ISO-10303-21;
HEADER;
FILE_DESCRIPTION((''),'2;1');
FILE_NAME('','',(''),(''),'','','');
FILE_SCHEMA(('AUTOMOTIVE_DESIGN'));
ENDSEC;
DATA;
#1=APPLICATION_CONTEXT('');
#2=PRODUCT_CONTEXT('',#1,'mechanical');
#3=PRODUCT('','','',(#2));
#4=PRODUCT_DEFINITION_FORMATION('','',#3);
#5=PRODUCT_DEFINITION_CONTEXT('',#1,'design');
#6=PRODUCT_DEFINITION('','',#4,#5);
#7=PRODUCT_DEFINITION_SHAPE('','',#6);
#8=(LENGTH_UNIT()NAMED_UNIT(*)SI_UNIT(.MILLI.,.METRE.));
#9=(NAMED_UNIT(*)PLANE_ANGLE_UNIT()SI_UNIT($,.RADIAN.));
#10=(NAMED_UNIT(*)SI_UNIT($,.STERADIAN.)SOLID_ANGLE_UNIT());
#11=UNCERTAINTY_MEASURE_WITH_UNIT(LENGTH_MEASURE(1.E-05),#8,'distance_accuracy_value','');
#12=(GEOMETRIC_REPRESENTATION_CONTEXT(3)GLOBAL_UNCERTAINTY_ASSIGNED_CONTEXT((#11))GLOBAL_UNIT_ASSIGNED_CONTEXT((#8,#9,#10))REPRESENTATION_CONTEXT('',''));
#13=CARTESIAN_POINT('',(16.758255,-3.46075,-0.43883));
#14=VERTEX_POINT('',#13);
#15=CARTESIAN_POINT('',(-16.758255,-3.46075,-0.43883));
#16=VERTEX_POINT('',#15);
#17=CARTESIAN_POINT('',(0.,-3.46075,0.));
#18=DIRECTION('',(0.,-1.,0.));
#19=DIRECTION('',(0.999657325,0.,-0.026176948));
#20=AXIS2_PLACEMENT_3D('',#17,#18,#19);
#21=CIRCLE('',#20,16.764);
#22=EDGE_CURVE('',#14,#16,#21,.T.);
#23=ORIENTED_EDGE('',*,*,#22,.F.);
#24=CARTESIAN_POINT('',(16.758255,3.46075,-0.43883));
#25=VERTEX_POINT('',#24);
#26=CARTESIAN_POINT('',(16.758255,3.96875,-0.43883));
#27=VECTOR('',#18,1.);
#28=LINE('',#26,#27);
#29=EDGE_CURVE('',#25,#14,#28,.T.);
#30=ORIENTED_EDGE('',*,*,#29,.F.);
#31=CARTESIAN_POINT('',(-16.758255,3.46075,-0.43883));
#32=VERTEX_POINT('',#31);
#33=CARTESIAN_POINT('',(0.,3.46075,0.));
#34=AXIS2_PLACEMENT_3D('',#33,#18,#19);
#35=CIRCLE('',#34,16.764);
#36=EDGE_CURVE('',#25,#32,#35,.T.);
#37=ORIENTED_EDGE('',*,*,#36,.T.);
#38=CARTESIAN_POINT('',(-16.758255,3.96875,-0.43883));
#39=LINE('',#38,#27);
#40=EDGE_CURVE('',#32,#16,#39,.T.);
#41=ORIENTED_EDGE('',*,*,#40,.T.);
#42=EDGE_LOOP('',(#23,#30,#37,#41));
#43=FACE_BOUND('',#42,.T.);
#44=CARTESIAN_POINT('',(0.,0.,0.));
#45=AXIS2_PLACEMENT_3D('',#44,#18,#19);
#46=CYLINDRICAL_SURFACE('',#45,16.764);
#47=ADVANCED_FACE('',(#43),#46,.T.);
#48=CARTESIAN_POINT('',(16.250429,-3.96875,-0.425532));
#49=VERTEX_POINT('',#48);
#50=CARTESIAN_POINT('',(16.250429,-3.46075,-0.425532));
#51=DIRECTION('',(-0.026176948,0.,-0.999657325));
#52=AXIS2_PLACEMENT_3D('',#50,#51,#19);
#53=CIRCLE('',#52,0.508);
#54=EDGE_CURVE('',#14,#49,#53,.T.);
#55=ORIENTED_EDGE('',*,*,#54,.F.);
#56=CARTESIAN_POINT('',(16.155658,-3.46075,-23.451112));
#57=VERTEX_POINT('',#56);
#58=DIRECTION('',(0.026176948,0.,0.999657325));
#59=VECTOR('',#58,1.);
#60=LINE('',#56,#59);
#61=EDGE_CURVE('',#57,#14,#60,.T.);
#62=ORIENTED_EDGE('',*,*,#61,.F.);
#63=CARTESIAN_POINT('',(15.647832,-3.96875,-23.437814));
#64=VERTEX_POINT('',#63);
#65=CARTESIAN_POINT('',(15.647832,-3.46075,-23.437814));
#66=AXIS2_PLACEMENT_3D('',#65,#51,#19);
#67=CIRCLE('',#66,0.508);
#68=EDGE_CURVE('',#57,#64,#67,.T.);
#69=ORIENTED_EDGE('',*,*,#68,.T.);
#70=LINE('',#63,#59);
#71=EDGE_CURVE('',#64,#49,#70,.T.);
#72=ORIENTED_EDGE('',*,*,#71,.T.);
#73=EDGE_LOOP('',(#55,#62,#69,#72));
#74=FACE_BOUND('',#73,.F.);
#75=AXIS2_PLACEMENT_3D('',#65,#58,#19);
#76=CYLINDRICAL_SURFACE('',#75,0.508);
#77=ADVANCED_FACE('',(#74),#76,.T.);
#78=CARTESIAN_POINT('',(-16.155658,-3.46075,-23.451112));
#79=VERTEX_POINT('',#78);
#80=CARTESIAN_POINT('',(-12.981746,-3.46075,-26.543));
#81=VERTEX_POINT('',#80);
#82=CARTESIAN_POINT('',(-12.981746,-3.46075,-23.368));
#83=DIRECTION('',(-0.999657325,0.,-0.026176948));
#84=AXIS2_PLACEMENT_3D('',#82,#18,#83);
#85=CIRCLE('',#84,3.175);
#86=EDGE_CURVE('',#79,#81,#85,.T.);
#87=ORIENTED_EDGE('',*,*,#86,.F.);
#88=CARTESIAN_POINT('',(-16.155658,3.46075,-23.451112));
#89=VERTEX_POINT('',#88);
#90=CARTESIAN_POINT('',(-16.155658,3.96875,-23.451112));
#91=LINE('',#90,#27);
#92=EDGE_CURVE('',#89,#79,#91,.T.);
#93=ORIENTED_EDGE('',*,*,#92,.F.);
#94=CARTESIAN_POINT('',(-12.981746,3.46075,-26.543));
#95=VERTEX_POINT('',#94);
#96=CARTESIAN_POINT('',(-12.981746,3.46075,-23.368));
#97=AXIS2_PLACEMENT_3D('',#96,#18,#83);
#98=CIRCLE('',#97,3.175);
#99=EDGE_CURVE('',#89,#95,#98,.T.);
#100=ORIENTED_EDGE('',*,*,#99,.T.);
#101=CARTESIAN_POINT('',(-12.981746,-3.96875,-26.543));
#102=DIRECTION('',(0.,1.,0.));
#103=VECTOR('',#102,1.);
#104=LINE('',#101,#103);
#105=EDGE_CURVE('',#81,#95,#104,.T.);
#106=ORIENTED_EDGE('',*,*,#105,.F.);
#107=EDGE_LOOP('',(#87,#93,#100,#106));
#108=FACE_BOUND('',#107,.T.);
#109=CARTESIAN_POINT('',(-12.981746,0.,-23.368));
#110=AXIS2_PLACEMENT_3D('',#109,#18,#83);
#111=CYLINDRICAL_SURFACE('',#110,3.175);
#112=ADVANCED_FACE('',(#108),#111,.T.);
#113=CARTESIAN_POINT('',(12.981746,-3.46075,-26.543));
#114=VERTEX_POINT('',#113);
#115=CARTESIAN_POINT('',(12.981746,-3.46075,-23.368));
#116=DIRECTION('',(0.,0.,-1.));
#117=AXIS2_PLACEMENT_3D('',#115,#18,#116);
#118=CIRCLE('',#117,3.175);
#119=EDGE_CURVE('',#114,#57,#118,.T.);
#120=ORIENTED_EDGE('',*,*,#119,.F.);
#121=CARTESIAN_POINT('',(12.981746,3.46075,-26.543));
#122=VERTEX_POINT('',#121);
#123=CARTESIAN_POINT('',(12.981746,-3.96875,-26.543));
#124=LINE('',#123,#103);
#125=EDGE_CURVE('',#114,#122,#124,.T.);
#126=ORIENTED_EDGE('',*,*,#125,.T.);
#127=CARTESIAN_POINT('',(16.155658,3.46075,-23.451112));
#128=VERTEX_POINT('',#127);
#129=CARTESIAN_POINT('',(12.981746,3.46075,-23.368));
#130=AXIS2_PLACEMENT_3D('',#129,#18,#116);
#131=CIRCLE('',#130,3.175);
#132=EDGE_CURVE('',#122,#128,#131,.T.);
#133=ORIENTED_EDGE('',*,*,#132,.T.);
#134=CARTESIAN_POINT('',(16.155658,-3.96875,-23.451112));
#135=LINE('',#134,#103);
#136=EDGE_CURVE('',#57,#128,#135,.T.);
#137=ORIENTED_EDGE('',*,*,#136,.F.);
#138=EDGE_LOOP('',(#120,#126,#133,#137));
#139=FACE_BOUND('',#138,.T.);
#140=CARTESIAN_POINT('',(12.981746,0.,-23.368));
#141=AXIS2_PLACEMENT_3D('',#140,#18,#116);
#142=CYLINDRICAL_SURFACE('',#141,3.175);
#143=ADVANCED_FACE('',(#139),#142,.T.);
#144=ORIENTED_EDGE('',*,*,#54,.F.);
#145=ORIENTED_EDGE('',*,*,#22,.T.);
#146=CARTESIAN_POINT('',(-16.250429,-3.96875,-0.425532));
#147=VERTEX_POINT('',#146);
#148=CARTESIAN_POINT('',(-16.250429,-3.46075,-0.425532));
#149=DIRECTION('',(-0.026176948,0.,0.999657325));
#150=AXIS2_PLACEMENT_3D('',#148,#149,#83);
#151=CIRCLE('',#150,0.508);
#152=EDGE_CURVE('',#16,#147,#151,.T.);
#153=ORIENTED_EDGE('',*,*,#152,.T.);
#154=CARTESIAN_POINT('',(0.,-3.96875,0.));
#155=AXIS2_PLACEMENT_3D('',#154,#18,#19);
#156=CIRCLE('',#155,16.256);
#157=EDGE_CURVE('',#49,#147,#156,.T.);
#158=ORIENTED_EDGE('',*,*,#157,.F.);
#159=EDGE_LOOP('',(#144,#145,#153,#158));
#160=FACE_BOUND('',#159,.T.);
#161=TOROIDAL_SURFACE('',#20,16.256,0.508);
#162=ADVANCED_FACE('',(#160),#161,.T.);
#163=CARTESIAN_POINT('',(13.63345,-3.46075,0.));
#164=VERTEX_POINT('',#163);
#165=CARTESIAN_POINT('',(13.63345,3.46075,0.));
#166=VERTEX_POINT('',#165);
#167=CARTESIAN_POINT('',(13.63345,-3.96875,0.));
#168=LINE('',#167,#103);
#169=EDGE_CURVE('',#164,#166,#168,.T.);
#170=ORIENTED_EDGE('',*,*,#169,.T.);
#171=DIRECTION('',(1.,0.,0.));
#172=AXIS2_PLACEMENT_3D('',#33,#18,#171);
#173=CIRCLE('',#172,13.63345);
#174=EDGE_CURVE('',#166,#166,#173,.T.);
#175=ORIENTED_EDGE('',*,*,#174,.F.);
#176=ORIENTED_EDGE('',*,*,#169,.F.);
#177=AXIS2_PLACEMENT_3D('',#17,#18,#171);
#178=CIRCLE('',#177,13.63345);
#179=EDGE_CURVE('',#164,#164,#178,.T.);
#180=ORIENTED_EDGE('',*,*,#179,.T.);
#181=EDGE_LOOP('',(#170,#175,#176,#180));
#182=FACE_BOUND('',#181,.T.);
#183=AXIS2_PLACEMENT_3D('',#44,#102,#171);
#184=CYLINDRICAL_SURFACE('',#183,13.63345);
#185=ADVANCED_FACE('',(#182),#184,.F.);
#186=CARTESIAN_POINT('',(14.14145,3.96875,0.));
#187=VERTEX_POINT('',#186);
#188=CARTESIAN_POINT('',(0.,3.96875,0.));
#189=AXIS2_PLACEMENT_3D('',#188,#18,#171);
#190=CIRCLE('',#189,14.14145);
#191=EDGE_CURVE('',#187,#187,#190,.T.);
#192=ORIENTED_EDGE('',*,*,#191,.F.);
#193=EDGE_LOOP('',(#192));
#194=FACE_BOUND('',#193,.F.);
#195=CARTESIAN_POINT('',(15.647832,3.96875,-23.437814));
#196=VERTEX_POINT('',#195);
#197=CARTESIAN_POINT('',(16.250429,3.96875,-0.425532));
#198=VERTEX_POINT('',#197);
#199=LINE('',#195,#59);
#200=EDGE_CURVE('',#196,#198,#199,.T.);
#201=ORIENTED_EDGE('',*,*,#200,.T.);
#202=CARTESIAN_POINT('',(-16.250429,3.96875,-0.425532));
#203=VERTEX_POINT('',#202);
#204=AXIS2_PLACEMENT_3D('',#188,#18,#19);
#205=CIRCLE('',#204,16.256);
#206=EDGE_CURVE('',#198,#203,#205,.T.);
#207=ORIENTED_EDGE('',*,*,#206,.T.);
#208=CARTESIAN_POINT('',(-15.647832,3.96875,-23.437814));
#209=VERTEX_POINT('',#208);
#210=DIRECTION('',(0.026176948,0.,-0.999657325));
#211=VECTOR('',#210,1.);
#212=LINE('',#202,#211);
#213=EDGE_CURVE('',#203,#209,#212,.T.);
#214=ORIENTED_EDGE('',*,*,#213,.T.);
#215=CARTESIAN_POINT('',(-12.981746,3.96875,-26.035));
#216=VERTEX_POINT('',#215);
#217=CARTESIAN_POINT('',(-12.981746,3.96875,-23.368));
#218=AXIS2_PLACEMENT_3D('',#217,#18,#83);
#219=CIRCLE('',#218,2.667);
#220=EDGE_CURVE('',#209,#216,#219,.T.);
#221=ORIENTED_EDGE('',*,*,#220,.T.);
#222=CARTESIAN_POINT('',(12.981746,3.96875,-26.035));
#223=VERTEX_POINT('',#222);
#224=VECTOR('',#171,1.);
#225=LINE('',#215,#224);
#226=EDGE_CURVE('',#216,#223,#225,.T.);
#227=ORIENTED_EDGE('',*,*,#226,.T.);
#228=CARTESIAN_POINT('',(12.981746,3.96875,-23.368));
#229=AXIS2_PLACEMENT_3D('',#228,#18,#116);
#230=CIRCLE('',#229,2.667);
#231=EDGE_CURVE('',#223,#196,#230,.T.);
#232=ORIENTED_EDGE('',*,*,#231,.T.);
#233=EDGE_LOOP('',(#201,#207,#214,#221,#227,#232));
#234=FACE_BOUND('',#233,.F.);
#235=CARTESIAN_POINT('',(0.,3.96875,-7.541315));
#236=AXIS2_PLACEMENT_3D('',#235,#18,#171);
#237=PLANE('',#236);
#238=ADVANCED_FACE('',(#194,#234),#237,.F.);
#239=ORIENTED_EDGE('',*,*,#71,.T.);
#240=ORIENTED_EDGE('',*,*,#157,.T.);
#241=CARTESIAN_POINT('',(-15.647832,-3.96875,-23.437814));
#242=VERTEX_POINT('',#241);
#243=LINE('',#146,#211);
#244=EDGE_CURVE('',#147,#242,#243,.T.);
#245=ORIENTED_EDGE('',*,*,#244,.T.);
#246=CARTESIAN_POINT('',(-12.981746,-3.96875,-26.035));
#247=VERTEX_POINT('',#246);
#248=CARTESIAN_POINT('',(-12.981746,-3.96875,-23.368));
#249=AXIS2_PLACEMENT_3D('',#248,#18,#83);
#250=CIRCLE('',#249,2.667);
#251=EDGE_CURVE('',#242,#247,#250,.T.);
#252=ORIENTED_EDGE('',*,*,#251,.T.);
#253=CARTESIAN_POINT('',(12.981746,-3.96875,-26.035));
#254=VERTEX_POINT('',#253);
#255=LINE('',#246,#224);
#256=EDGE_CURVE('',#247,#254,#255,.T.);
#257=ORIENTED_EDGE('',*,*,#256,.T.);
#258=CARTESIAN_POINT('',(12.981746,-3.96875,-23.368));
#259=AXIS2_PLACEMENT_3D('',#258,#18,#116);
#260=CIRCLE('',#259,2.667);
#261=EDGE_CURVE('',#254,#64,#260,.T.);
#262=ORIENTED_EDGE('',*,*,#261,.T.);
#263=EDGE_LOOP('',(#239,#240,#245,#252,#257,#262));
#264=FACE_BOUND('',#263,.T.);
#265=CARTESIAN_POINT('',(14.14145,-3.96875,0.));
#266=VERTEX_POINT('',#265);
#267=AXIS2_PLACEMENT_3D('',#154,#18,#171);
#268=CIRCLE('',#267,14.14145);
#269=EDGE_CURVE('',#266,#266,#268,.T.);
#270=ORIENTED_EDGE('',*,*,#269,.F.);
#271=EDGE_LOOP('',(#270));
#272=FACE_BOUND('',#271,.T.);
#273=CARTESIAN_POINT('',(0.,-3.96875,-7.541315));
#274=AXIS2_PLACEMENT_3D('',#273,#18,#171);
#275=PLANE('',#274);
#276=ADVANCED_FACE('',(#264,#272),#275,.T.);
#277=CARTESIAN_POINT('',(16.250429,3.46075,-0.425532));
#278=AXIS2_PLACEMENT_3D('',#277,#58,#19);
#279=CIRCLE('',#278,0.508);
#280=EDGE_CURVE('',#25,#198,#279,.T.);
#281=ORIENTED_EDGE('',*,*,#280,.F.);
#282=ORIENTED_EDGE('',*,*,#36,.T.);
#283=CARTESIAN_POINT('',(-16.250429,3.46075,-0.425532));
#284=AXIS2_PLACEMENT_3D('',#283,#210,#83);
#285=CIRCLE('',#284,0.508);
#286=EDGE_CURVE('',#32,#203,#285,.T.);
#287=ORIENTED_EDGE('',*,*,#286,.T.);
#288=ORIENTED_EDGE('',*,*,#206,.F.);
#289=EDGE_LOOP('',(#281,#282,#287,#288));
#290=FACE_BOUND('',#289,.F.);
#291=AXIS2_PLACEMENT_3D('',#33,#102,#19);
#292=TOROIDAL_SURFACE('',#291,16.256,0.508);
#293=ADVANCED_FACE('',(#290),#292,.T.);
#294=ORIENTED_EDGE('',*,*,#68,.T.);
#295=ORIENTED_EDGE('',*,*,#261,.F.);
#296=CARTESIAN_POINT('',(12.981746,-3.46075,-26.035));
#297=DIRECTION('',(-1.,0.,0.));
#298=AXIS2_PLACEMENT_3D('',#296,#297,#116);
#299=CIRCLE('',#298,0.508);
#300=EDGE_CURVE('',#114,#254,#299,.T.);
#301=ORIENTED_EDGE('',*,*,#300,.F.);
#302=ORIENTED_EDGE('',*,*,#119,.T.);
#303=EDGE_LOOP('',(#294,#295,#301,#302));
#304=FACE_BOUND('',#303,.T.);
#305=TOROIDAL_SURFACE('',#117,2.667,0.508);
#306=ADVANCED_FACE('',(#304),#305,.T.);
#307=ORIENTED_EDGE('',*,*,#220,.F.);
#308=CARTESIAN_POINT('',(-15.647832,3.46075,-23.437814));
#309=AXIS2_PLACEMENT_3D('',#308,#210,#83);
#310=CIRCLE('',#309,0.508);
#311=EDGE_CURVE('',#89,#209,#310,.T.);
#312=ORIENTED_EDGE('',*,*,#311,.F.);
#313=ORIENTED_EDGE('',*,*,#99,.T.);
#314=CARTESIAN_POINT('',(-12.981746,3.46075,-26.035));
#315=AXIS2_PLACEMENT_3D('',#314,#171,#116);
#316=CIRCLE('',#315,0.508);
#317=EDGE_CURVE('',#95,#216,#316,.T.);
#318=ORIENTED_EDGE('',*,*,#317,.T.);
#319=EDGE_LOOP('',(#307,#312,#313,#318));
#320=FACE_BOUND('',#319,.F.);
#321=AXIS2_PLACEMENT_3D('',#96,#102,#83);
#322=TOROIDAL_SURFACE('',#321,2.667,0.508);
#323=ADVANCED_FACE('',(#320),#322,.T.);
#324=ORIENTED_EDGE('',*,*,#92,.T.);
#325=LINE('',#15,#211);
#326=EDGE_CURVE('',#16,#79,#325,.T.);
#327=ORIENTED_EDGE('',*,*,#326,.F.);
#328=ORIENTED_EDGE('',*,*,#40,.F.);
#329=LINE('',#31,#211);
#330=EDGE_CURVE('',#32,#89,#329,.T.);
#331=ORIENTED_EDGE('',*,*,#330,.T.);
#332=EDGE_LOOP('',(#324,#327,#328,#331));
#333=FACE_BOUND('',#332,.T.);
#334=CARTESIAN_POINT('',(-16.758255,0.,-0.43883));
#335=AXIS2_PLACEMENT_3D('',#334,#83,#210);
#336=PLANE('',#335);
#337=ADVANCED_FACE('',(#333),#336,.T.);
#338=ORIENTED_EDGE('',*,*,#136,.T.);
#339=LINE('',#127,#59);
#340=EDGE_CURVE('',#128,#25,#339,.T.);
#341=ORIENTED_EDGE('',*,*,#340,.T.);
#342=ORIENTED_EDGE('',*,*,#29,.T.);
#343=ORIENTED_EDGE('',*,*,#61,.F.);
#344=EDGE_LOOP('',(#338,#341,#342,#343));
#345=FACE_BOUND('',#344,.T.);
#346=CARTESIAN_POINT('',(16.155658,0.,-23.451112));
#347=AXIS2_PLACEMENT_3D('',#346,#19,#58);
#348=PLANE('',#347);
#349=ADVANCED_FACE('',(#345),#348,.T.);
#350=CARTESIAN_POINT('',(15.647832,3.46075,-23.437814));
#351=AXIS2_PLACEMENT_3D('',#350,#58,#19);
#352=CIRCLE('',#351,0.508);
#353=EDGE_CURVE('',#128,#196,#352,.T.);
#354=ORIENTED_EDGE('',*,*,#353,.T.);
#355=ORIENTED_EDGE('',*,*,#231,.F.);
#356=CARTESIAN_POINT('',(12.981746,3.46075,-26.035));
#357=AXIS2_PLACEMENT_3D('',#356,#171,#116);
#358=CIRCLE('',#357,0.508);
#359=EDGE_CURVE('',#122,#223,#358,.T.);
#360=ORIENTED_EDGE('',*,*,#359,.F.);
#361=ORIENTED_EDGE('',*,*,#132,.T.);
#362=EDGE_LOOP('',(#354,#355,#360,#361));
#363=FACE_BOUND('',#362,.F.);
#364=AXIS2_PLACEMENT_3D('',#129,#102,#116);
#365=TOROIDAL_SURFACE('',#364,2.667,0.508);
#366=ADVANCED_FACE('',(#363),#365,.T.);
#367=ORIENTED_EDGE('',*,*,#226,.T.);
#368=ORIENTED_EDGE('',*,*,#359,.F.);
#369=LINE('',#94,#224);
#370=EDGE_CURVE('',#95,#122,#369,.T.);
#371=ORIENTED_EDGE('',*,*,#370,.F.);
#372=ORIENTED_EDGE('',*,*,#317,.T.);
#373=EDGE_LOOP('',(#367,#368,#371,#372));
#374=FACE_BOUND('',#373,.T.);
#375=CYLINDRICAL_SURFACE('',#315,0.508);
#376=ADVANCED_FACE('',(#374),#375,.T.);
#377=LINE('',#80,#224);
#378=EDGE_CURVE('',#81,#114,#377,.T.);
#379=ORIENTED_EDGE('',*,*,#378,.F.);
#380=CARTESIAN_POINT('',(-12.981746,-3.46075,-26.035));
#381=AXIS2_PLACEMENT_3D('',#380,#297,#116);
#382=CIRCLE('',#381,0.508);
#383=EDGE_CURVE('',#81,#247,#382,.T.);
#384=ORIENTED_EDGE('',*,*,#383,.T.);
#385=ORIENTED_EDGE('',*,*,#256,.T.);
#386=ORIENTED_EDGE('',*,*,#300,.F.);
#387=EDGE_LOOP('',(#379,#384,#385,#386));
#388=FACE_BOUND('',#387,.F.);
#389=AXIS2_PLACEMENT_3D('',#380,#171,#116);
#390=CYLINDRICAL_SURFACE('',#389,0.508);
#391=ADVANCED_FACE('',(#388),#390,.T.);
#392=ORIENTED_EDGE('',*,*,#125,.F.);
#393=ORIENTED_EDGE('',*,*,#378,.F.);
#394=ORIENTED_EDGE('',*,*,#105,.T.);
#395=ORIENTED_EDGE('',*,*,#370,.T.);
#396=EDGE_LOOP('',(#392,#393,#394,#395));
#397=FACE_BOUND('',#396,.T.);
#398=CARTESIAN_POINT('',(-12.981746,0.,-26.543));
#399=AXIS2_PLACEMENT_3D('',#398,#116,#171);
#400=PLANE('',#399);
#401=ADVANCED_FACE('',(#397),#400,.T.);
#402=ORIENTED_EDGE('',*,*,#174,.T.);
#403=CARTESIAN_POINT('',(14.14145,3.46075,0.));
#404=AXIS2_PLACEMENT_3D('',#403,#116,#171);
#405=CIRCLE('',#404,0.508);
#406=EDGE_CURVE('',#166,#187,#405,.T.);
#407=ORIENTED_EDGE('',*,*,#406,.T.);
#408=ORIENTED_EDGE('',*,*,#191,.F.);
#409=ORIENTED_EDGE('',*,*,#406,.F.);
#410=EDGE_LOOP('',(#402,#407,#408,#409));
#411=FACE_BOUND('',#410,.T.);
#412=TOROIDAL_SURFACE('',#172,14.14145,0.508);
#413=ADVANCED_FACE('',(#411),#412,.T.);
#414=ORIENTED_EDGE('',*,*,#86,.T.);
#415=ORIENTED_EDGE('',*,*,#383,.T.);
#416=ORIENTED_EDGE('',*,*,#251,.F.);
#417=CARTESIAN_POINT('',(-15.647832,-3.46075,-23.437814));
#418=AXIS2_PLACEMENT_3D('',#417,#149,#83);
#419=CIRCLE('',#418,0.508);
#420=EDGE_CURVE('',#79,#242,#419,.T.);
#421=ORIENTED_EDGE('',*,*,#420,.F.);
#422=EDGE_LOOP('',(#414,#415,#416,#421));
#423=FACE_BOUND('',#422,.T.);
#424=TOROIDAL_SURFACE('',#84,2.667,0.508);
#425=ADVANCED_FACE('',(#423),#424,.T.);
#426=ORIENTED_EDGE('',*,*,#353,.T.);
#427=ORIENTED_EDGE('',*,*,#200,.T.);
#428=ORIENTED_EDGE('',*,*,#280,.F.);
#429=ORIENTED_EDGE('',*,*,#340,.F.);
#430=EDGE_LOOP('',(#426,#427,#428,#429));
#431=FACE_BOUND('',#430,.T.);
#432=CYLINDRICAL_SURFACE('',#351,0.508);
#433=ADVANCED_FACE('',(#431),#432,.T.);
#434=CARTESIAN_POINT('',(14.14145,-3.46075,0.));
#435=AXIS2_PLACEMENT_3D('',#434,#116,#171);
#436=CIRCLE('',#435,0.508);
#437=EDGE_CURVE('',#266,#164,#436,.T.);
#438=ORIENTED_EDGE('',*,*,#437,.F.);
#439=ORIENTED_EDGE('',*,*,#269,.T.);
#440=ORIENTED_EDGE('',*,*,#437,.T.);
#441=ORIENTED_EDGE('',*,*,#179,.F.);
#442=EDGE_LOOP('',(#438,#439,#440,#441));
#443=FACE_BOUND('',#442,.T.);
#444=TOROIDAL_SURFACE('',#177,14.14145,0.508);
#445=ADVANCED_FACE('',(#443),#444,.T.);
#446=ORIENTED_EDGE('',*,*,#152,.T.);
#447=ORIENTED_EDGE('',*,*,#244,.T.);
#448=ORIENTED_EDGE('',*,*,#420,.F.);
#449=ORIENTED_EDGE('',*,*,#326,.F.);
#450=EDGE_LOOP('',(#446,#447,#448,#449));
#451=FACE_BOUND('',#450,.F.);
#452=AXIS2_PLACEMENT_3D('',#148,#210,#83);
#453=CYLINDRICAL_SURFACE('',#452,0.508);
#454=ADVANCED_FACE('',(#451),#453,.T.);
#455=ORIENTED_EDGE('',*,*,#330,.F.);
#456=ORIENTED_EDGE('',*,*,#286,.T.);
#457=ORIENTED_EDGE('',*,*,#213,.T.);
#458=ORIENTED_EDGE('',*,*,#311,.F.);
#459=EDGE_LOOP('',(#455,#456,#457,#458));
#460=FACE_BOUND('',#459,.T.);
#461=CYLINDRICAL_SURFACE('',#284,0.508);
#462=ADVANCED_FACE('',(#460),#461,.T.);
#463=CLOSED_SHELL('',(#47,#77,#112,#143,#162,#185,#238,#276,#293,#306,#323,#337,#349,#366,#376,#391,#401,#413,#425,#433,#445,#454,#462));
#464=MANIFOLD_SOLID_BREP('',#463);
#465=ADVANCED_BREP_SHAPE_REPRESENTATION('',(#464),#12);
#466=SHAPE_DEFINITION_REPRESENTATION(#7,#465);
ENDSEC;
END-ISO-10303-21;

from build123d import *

# Parameters (mm, degrees)
F0_R     = 13.63345
F1_DEPTH = 3.96875
F2_R     = 0.508


with BuildPart() as f1:
    # F0 (on Front) → F1 (new body, symmetric)
    with BuildSketch(Plane.XZ):
        with BuildLine():
            Line((16.1556575987, -23.4511118109), (16.7582553959, -0.4388303614))
            ThreePointArc((16.7582553959, -0.4388303614), (0, 16.764), (-16.7582553959, -0.4388303614))
            Line((-16.7582553959, -0.4388303614), (-16.1556575987, -23.4511118109))
            ThreePointArc((-16.1556575987, -23.4511118109), (-15.1972303019, -25.6422586704), (-12.9817455919, -26.543))
            Line((-12.9817455919, -26.543), (12.9817455919, -26.543))
            ThreePointArc((12.9817455919, -26.543), (15.1972303019, -25.6422586704), (16.1556575987, -23.4511118109))
        make_face()
        Circle(F0_R, mode=Mode.SUBTRACT)
    extrude(amount=F1_DEPTH, both=True)

    # F2
    f2_edges = [f1.edges().sort_by_distance(p)[0] for p in [
        (15.19723, -3.96875, -25.642259),
        (16.456956, -3.96875, -11.944971),
        (0, -3.96875, 16.764),
        (-16.456956, -3.96875, -11.944971),
        (-15.19723, -3.96875, -25.642259),
        (0, -3.96875, -26.543),
        (-13.63345, -3.96875, 0),
        (15.19723, 3.96875, -25.642259),
        (16.456956, 3.96875, -11.944971),
        (0, 3.96875, 16.764),
        (-16.456956, 3.96875, -11.944971),
        (-15.19723, 3.96875, -25.642259),
        (0, 3.96875, -26.543),
        (-13.63345, 3.96875, 0),
    ]]
    fillet(f2_edges, radius=F2_R)


solid = f1.part
